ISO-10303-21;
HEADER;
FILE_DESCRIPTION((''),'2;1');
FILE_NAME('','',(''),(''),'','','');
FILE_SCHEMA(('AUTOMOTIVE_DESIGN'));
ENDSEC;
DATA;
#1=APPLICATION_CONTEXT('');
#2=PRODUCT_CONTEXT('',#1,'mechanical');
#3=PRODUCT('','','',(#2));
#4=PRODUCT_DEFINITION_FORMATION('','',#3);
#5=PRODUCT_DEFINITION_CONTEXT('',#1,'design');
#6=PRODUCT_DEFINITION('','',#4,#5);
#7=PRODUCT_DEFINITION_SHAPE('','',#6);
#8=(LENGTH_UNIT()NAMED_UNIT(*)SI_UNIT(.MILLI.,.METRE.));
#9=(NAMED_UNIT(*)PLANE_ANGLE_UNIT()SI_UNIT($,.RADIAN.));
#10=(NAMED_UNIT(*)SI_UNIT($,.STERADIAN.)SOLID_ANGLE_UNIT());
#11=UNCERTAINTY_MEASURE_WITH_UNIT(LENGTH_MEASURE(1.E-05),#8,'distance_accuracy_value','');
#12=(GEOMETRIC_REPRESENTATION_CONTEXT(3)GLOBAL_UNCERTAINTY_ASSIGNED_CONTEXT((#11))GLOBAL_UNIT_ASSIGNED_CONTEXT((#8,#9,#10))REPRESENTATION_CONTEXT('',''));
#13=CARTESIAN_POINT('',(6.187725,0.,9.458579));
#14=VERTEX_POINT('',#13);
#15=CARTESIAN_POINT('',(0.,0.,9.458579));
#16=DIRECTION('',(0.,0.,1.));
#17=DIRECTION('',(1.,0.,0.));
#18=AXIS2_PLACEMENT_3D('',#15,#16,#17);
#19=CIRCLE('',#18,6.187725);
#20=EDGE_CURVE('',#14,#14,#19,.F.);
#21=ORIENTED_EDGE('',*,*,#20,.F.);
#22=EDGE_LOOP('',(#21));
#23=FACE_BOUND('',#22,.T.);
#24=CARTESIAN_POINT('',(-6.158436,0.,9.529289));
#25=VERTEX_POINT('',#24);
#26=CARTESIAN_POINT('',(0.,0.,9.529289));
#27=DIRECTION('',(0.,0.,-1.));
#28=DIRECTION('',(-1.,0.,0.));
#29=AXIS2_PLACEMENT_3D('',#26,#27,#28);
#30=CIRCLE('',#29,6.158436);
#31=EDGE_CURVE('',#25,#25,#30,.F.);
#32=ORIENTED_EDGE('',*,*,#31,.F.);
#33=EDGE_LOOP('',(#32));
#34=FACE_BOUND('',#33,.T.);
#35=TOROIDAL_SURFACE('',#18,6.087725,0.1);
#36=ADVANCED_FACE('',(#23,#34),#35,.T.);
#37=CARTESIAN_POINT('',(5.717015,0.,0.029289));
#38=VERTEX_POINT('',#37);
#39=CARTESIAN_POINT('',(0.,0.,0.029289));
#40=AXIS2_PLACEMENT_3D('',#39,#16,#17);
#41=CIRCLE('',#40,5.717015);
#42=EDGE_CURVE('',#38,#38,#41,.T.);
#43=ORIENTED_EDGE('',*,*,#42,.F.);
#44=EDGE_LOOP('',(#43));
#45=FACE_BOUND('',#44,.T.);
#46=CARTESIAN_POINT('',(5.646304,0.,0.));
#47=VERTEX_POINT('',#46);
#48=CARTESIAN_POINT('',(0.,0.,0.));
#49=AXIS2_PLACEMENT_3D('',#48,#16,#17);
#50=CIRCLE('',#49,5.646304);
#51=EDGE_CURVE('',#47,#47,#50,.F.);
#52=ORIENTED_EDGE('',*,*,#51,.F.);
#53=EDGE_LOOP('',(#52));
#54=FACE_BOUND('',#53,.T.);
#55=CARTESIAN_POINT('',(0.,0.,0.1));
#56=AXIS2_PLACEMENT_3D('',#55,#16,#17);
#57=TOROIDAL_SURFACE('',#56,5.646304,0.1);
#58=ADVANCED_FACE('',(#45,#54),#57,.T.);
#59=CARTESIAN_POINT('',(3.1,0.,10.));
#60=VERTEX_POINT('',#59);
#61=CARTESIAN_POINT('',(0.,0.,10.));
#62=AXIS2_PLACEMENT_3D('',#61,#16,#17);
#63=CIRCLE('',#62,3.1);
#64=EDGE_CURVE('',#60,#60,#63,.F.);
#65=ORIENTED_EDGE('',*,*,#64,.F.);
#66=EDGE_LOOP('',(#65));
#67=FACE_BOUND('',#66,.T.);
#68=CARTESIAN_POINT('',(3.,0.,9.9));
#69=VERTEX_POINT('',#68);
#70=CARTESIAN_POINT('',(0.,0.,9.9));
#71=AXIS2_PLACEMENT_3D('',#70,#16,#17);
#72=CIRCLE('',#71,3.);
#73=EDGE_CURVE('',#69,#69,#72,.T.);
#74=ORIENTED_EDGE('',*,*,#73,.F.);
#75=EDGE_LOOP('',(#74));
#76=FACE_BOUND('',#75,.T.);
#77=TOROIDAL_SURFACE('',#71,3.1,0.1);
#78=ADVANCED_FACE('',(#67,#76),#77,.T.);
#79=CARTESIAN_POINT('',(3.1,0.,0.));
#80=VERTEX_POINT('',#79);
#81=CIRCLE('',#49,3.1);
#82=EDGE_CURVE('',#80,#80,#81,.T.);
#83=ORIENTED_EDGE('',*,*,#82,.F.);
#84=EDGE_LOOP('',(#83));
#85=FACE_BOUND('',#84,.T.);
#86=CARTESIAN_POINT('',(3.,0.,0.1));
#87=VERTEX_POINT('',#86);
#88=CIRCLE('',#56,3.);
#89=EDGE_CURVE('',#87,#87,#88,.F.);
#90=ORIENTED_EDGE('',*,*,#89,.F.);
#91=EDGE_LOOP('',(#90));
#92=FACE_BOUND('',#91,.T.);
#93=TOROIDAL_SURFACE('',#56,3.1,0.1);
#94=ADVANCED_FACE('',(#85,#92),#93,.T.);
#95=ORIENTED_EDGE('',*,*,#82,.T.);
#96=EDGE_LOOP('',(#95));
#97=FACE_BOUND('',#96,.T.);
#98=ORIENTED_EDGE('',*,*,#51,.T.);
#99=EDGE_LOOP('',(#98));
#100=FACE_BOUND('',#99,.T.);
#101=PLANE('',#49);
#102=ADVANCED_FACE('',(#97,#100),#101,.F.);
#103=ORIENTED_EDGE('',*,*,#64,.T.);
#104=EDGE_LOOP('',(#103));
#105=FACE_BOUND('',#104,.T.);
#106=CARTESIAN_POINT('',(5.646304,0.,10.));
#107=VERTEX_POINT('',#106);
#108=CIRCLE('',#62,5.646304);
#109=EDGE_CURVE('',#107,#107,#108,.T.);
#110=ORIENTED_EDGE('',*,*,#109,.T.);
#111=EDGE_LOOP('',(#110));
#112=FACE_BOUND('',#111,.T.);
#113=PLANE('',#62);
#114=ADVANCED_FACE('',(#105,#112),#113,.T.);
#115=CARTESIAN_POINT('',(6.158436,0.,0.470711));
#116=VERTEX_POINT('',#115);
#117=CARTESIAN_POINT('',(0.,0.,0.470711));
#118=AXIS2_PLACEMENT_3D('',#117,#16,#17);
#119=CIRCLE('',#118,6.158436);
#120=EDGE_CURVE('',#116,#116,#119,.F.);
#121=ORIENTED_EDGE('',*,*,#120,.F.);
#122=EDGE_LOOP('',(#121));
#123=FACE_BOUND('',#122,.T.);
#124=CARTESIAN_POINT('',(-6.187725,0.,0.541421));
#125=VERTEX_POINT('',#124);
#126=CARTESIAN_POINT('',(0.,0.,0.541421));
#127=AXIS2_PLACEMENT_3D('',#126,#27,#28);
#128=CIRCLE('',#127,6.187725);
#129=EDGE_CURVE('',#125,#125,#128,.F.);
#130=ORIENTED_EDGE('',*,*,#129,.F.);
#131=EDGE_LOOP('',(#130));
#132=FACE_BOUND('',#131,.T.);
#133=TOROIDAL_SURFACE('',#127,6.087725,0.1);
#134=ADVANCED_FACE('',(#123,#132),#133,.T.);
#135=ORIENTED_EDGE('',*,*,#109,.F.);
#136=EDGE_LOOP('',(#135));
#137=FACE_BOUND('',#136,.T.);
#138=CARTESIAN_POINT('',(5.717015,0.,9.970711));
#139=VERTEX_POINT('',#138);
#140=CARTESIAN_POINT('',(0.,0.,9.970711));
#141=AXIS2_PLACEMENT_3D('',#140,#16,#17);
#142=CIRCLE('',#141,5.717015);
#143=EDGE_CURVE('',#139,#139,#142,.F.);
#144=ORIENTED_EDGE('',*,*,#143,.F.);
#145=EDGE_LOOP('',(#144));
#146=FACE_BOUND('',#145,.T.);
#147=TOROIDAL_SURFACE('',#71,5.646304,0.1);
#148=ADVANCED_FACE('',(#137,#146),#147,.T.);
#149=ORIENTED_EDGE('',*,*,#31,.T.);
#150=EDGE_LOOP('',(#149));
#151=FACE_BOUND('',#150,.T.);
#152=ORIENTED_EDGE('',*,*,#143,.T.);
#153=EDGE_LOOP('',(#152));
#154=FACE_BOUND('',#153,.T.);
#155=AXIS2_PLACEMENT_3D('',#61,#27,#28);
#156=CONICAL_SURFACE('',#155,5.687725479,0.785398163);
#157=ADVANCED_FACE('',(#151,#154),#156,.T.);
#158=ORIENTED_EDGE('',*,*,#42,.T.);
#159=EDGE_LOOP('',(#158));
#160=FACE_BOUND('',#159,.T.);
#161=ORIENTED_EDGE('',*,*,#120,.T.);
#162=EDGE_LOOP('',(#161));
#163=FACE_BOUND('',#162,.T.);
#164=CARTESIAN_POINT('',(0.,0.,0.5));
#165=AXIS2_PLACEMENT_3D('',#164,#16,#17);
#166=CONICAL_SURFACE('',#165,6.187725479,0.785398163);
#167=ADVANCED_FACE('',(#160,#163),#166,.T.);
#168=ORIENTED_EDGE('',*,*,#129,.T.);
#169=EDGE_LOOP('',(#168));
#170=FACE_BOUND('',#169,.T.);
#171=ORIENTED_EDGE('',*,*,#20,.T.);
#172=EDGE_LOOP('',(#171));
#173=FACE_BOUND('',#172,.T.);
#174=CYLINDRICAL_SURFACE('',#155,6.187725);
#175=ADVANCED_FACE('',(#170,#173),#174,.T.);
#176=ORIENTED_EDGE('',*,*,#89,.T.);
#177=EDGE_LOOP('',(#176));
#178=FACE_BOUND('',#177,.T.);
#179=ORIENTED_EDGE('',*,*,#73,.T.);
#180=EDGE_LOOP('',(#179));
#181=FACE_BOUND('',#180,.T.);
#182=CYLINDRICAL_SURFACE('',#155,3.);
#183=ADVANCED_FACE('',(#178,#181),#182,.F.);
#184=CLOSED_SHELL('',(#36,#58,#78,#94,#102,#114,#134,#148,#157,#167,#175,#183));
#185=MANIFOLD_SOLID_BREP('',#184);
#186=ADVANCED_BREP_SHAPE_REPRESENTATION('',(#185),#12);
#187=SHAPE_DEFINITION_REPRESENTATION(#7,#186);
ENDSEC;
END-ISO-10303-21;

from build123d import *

# Parameters (mm, degrees)
SKETCH1_R           = 6.187725479
SKETCH1_R_2         = 3
BOSS_EXTRUDE1_DEPTH = 10
FILLET1_R           = 0.1
CHAMFER1_SIZE       = 0.5
FILLET3_R           = 0.1


with BuildPart() as part:
    # Sketch1 → Boss-Extrude1 (new body)
    with BuildSketch(Plane.XY):
        Circle(SKETCH1_R)
        Circle(SKETCH1_R_2, mode=Mode.SUBTRACT)
    extrude(amount=BOSS_EXTRUDE1_DEPTH)

    # Fillet1
    fillet1_edges = [part.edges().sort_by_distance(p)[0] for p in [
        (-3, 0, 0),
        (-3, 0, 10),
    ]]
    fillet(fillet1_edges, radius=FILLET1_R)

    # Chamfer1
    chamfer1_edges = [part.edges().sort_by_distance(p)[0] for p in [
        (-6.187725479, 0, 0),
        (-6.187725479, 0, 10),
    ]]
    chamfer(chamfer1_edges, length=CHAMFER1_SIZE)

    # Fillet3
    fillet3_edges = [part.edges().sort_by_distance(p)[0] for p in [
        (-6.187725479, 0, 9.5),
        (-6.187725479, 0, 0.5),
        (-5.687725479, 0, 0),
        (-5.687725479, 0, 10),
    ]]
    fillet(fillet3_edges, radius=FILLET3_R)


solid = part.part
